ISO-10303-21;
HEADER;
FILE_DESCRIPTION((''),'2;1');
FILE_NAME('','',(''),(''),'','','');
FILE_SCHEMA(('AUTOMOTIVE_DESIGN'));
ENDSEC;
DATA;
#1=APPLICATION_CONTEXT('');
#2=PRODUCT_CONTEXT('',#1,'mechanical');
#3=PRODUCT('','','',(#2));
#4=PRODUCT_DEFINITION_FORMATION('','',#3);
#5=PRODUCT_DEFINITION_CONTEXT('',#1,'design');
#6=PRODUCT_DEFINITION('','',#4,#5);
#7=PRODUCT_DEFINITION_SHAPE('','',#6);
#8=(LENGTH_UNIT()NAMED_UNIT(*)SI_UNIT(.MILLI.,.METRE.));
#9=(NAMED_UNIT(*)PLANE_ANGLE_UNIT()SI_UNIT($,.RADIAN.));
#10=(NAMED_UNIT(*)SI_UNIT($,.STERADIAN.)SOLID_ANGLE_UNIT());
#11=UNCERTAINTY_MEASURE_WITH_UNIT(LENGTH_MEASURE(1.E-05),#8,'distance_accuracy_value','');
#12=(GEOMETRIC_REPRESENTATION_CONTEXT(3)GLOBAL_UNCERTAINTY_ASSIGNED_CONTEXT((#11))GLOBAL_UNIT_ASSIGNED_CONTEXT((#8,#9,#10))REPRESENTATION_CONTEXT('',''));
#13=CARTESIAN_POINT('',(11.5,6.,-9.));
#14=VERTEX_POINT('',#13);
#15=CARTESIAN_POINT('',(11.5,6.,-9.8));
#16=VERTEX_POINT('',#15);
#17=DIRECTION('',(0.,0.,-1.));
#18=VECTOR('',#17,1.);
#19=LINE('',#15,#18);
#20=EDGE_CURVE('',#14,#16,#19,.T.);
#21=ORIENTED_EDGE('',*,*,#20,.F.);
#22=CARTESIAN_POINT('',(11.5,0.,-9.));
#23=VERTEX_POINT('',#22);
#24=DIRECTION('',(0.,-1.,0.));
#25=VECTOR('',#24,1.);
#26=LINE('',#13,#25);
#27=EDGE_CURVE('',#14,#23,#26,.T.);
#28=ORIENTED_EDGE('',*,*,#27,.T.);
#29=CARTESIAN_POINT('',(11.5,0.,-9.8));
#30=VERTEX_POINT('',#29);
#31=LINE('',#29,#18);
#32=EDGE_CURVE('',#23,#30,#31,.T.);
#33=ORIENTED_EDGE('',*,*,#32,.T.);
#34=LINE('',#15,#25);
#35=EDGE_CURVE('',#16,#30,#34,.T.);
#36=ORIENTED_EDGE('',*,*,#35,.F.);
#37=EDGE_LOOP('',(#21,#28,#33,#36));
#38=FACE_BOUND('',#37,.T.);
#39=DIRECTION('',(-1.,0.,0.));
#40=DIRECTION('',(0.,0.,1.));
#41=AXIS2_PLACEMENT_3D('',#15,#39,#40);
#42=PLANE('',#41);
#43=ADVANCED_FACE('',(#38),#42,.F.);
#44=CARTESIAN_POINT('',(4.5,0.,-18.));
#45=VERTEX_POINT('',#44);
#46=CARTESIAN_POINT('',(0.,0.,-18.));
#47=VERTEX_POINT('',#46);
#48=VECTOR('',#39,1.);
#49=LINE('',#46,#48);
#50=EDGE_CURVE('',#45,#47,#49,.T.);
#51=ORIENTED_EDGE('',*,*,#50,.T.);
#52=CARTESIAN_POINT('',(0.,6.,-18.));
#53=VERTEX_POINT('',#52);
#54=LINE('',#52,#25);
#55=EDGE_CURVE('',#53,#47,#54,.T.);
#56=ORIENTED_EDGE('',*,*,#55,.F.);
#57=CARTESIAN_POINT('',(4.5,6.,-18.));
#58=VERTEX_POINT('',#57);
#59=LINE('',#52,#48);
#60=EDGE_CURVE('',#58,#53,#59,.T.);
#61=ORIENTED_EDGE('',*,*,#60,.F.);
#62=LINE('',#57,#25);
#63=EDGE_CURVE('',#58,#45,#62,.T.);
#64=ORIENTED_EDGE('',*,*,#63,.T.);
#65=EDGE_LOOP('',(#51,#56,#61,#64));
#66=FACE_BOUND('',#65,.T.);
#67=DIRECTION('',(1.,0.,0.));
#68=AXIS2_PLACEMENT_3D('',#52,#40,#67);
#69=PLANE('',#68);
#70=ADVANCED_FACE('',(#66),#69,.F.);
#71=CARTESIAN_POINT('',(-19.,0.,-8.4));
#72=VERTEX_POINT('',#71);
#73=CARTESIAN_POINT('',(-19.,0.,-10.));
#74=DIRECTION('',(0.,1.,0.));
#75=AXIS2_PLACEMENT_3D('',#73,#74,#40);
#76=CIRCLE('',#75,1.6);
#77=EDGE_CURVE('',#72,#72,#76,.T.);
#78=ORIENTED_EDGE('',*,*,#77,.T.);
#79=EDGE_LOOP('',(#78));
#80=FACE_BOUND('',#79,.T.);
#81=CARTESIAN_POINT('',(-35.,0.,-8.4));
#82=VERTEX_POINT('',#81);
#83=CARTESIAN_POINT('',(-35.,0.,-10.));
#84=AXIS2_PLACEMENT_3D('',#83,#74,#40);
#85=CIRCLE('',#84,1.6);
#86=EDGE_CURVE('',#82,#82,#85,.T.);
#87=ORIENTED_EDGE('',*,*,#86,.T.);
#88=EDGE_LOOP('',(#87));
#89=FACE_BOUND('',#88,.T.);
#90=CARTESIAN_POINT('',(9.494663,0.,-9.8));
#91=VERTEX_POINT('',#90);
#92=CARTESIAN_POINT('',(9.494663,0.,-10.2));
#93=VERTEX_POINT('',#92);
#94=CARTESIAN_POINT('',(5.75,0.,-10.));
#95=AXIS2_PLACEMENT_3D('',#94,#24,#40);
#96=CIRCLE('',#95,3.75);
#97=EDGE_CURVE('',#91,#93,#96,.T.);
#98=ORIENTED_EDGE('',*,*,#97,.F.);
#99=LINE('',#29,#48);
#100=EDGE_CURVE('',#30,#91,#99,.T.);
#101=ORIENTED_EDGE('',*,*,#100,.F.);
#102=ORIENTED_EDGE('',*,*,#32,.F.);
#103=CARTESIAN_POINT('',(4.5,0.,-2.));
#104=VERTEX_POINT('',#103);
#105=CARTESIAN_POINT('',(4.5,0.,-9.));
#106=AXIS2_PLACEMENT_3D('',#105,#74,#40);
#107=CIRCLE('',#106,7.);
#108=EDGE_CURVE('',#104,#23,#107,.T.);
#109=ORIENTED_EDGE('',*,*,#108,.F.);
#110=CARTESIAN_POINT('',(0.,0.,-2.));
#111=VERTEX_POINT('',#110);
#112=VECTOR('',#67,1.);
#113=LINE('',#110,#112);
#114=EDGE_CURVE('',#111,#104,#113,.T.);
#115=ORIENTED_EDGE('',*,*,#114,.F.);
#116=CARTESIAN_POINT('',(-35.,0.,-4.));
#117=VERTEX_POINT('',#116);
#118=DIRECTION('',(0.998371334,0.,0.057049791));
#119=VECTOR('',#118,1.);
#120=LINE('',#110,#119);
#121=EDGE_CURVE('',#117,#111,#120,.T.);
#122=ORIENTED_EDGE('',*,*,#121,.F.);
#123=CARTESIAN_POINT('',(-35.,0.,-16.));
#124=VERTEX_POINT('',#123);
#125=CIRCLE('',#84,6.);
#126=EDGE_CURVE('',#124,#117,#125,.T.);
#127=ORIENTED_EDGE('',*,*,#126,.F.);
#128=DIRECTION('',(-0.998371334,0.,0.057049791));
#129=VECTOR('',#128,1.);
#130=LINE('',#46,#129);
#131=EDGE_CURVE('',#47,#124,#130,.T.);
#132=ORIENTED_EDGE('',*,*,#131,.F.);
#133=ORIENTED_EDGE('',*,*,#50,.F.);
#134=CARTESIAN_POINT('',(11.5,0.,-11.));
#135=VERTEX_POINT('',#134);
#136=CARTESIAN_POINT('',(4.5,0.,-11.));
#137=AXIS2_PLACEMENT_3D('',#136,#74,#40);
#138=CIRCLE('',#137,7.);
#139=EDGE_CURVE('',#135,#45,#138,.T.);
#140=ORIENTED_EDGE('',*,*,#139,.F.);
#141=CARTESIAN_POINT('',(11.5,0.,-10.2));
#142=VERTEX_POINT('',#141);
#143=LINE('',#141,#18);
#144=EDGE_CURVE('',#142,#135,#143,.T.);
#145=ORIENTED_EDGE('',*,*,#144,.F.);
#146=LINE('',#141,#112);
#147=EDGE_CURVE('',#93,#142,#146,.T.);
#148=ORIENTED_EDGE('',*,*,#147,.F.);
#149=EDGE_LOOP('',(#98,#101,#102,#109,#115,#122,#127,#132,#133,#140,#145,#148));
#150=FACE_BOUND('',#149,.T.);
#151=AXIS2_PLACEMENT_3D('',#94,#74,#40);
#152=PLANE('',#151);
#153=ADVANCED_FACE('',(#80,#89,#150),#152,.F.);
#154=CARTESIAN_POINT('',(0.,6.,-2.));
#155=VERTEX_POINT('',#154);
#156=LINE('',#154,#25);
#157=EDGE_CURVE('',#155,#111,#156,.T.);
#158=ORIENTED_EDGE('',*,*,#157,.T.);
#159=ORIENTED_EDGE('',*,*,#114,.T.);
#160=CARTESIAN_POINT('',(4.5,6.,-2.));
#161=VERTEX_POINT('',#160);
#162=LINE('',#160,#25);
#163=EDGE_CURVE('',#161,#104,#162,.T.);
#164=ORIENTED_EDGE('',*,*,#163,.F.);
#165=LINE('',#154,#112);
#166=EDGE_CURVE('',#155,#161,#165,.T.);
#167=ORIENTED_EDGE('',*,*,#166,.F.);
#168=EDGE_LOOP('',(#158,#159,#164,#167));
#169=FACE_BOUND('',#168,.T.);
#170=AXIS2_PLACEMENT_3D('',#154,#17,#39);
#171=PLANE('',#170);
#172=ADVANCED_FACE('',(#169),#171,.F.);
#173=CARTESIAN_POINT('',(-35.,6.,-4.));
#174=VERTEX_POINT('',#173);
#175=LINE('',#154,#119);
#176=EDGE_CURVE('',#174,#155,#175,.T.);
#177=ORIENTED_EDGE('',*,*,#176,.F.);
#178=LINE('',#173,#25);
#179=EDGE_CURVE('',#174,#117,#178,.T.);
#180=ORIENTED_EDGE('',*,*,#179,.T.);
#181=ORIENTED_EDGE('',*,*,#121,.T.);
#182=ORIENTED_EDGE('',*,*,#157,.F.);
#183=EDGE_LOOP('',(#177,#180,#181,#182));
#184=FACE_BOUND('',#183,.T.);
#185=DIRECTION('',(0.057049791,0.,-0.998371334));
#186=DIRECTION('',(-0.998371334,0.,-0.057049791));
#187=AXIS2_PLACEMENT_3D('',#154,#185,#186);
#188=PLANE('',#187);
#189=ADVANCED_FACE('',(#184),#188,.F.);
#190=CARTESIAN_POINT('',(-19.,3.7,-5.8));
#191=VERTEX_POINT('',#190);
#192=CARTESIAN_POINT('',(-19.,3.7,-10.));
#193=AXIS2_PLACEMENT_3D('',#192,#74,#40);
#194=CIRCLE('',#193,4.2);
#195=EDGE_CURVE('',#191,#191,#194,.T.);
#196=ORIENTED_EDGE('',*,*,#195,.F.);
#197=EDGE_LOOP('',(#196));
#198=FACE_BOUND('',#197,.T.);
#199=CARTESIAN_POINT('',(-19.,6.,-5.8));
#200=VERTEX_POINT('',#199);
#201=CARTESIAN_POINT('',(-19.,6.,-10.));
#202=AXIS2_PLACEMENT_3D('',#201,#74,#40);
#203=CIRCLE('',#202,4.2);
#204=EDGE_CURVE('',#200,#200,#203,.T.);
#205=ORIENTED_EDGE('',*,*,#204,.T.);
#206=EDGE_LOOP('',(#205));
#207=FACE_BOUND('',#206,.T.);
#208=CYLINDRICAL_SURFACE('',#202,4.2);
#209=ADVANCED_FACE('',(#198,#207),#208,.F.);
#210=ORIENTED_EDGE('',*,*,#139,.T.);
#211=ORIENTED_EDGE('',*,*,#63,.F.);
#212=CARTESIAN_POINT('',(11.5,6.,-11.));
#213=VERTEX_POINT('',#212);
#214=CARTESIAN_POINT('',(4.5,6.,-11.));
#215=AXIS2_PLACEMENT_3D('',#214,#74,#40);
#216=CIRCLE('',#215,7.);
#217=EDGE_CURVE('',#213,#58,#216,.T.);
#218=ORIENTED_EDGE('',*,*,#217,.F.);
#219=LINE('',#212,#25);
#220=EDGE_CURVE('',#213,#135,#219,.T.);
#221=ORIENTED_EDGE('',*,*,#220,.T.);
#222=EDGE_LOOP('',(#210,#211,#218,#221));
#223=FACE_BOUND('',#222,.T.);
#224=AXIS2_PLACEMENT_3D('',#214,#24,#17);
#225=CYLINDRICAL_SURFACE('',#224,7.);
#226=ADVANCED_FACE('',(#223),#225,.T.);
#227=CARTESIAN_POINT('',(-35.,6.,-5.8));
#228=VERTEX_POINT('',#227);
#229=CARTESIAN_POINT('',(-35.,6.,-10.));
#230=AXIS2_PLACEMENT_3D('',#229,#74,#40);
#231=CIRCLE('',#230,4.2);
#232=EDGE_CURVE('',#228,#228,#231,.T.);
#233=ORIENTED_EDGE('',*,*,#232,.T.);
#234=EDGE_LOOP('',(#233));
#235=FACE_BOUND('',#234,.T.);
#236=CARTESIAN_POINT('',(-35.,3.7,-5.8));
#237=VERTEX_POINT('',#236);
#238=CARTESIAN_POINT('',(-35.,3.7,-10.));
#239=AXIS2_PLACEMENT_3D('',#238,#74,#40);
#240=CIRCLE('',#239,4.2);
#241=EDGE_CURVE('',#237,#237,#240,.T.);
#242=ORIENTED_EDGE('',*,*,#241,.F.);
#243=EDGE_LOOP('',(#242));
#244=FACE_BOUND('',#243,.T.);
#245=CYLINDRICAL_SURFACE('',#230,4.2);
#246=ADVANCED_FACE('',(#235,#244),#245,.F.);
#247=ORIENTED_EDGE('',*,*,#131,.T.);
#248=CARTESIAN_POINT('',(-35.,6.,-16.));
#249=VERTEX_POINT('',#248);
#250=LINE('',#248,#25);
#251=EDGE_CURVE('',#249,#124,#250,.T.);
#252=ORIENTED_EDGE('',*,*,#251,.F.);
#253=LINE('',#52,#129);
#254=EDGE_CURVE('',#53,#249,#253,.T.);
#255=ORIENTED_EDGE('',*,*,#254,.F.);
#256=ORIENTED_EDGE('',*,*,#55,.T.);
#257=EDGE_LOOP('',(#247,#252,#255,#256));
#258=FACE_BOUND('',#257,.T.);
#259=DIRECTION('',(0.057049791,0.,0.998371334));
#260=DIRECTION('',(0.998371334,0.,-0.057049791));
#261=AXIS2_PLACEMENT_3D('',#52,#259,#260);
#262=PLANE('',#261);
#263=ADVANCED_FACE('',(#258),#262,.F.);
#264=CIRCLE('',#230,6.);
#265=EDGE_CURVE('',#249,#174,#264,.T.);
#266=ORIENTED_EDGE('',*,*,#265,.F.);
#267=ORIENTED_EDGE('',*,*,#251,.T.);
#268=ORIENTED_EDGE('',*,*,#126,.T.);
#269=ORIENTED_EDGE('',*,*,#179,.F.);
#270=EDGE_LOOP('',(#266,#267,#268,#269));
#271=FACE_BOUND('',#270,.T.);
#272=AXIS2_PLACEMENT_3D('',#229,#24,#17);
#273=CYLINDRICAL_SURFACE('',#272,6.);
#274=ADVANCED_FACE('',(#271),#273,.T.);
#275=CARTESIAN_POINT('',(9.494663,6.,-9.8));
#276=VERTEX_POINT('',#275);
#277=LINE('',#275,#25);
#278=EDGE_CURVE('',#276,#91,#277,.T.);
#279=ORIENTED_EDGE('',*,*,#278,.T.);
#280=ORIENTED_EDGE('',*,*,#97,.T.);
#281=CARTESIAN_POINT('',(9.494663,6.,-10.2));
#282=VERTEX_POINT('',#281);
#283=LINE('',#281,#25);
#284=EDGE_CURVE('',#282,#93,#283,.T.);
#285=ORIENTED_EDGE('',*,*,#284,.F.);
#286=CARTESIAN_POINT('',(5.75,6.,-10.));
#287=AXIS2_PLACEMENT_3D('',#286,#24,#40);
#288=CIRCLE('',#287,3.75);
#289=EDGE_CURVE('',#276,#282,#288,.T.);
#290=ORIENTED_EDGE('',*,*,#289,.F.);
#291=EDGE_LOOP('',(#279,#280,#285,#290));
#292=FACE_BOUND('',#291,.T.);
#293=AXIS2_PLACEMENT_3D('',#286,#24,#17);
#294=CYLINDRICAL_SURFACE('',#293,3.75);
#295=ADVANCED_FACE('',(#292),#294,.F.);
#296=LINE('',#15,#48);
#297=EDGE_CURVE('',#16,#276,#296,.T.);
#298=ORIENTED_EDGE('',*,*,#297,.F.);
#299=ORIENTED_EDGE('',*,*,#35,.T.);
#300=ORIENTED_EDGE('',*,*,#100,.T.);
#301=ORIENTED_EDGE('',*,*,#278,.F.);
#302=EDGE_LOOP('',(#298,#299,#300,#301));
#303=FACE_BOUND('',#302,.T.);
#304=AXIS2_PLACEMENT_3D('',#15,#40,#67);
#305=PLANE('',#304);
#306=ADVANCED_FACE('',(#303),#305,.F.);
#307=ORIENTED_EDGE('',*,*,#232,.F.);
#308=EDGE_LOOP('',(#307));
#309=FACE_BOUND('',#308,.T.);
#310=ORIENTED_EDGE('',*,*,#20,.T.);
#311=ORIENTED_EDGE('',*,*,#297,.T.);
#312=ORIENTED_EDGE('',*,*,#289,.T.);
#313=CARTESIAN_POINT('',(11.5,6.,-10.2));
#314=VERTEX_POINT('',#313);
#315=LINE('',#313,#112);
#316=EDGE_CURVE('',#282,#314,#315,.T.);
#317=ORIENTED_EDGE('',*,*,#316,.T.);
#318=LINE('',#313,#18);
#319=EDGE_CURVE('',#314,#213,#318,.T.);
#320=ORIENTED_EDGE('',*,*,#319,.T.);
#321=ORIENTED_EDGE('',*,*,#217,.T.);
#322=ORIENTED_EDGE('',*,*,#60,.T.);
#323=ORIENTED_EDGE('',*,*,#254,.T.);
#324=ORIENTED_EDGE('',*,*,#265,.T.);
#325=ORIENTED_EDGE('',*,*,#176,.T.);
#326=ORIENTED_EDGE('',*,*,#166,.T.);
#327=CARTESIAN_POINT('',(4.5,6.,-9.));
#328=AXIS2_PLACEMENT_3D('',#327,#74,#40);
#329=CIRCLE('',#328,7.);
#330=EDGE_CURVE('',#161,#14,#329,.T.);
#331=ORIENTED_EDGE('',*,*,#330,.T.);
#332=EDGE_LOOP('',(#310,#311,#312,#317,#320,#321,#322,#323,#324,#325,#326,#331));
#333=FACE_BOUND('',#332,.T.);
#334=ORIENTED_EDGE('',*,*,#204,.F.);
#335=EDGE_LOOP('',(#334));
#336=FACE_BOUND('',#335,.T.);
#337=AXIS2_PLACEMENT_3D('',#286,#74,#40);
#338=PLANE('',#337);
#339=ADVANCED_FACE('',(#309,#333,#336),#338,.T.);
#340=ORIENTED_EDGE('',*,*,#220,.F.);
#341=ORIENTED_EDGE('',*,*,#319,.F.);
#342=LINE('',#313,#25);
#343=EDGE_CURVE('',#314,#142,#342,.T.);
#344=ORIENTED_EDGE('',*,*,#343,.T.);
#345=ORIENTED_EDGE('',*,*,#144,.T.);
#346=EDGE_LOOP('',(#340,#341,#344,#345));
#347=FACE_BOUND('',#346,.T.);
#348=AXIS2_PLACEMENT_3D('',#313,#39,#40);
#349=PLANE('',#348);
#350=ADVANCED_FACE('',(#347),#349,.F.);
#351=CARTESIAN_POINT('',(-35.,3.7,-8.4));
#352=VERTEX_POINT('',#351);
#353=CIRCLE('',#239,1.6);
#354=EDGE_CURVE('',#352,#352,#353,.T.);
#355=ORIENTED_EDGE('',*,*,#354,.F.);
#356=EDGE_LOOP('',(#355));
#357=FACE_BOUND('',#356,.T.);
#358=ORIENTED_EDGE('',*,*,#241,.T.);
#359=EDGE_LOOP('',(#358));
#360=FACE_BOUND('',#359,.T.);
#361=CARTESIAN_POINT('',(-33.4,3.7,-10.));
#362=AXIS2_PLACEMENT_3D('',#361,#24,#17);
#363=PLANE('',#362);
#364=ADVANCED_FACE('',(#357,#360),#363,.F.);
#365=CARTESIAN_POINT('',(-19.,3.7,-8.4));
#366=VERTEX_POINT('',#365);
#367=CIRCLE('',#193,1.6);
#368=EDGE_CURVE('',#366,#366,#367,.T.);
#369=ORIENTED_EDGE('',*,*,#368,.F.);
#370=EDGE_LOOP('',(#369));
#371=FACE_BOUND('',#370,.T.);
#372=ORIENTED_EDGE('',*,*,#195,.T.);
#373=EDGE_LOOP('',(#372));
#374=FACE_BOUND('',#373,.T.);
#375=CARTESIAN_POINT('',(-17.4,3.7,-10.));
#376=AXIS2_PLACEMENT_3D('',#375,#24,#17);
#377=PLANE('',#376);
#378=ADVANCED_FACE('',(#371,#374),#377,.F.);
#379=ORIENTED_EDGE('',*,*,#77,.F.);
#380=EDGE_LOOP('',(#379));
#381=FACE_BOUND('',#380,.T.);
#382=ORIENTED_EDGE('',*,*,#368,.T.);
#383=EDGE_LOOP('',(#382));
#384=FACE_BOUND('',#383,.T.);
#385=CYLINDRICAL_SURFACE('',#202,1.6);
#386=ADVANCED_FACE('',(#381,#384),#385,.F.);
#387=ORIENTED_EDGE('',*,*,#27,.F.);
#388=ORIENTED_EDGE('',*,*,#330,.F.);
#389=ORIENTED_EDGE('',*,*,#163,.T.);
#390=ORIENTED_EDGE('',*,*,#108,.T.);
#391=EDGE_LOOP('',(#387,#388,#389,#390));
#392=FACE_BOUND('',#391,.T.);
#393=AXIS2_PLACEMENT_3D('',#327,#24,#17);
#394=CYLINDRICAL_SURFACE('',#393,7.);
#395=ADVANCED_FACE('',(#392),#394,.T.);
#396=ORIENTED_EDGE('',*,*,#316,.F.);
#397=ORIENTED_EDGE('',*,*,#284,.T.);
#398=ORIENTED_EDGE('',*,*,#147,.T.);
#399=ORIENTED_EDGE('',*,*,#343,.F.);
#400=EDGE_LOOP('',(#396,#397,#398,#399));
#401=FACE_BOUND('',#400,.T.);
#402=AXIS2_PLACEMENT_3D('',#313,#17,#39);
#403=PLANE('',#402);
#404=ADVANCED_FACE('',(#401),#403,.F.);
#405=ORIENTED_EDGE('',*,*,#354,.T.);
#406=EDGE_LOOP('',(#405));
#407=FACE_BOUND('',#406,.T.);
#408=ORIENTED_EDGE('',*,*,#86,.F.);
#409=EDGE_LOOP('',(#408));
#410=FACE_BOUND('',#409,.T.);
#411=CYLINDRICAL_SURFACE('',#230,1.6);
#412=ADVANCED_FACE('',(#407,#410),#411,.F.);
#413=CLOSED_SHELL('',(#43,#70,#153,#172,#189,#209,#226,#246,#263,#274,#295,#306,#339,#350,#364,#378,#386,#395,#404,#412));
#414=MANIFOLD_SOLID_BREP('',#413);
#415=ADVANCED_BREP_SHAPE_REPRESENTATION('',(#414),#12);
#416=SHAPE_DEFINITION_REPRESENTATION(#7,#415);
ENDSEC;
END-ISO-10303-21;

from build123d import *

# Parameters (mm, degrees)
SKETCH1_R                                        = 1.5
BOSS_EXTRUDE1_DEPTH                              = 6
CBORE_FOR_M3_HEX_HEAD_MACHINE_SCREW1_D           = 3.2
CBORE_FOR_M3_HEX_HEAD_MACHINE_SCREW1_DEPTH       = 6
CBORE_FOR_M3_HEX_HEAD_MACHINE_SCREW1_CBORE_D     = 8.4
CBORE_FOR_M3_HEX_HEAD_MACHINE_SCREW1_CBORE_DEPTH = 2.3


with BuildPart() as part:
    # Sketch1 → Boss-Extrude1 (new body)
    with BuildSketch(Plane(origin=(0, 0, 0), x_dir=(1, 0, 0), z_dir=(0, 1, 0))):
        with BuildLine():
            Line((11.5, 10.2), (11.5, 11))
            ThreePointArc((11.5, 11), (9.449747468, 15.949747468), (4.5, 18))
            Line((4.5, 18), (0, 18))
            Line((0, 18), (-35, 16))
            ThreePointArc((-35, 16), (-41, 10), (-35, 4))
            Line((-35, 4), (0, 2))
            Line((0, 2), (4.5, 2))
            ThreePointArc((4.5, 2), (9.449747468, 4.050252532), (11.5, 9))
            Line((11.5, 9), (11.5, 9.8))
            Line((11.5, 9.8), (9.494662869, 9.8))
            ThreePointArc((9.494662869, 9.8), (2, 10), (9.494662869, 10.2))
            Line((9.494662869, 10.2), (11.5, 10.2))
        make_face()
        with Locations(Location((-35, 10, 0), (0, 0, 270))):
            Circle(SKETCH1_R, mode=Mode.SUBTRACT)
        with Locations(Location((-19, 10, 0), (0, 0, 270))):
            Circle(SKETCH1_R, mode=Mode.SUBTRACT)
    extrude(amount=BOSS_EXTRUDE1_DEPTH)

    # CBORE for M3 Hex Head Machine Screw1
    with Locations(Plane(origin=(0, 6, 0), x_dir=(1, 0, 0), z_dir=(0, 1, 0))):
        with Locations((-19, 10), (-35, 10)):
            CounterBoreHole(CBORE_FOR_M3_HEX_HEAD_MACHINE_SCREW1_D / 2, CBORE_FOR_M3_HEX_HEAD_MACHINE_SCREW1_CBORE_D / 2, CBORE_FOR_M3_HEX_HEAD_MACHINE_SCREW1_CBORE_DEPTH, depth=CBORE_FOR_M3_HEX_HEAD_MACHINE_SCREW1_DEPTH)


solid = part.part
